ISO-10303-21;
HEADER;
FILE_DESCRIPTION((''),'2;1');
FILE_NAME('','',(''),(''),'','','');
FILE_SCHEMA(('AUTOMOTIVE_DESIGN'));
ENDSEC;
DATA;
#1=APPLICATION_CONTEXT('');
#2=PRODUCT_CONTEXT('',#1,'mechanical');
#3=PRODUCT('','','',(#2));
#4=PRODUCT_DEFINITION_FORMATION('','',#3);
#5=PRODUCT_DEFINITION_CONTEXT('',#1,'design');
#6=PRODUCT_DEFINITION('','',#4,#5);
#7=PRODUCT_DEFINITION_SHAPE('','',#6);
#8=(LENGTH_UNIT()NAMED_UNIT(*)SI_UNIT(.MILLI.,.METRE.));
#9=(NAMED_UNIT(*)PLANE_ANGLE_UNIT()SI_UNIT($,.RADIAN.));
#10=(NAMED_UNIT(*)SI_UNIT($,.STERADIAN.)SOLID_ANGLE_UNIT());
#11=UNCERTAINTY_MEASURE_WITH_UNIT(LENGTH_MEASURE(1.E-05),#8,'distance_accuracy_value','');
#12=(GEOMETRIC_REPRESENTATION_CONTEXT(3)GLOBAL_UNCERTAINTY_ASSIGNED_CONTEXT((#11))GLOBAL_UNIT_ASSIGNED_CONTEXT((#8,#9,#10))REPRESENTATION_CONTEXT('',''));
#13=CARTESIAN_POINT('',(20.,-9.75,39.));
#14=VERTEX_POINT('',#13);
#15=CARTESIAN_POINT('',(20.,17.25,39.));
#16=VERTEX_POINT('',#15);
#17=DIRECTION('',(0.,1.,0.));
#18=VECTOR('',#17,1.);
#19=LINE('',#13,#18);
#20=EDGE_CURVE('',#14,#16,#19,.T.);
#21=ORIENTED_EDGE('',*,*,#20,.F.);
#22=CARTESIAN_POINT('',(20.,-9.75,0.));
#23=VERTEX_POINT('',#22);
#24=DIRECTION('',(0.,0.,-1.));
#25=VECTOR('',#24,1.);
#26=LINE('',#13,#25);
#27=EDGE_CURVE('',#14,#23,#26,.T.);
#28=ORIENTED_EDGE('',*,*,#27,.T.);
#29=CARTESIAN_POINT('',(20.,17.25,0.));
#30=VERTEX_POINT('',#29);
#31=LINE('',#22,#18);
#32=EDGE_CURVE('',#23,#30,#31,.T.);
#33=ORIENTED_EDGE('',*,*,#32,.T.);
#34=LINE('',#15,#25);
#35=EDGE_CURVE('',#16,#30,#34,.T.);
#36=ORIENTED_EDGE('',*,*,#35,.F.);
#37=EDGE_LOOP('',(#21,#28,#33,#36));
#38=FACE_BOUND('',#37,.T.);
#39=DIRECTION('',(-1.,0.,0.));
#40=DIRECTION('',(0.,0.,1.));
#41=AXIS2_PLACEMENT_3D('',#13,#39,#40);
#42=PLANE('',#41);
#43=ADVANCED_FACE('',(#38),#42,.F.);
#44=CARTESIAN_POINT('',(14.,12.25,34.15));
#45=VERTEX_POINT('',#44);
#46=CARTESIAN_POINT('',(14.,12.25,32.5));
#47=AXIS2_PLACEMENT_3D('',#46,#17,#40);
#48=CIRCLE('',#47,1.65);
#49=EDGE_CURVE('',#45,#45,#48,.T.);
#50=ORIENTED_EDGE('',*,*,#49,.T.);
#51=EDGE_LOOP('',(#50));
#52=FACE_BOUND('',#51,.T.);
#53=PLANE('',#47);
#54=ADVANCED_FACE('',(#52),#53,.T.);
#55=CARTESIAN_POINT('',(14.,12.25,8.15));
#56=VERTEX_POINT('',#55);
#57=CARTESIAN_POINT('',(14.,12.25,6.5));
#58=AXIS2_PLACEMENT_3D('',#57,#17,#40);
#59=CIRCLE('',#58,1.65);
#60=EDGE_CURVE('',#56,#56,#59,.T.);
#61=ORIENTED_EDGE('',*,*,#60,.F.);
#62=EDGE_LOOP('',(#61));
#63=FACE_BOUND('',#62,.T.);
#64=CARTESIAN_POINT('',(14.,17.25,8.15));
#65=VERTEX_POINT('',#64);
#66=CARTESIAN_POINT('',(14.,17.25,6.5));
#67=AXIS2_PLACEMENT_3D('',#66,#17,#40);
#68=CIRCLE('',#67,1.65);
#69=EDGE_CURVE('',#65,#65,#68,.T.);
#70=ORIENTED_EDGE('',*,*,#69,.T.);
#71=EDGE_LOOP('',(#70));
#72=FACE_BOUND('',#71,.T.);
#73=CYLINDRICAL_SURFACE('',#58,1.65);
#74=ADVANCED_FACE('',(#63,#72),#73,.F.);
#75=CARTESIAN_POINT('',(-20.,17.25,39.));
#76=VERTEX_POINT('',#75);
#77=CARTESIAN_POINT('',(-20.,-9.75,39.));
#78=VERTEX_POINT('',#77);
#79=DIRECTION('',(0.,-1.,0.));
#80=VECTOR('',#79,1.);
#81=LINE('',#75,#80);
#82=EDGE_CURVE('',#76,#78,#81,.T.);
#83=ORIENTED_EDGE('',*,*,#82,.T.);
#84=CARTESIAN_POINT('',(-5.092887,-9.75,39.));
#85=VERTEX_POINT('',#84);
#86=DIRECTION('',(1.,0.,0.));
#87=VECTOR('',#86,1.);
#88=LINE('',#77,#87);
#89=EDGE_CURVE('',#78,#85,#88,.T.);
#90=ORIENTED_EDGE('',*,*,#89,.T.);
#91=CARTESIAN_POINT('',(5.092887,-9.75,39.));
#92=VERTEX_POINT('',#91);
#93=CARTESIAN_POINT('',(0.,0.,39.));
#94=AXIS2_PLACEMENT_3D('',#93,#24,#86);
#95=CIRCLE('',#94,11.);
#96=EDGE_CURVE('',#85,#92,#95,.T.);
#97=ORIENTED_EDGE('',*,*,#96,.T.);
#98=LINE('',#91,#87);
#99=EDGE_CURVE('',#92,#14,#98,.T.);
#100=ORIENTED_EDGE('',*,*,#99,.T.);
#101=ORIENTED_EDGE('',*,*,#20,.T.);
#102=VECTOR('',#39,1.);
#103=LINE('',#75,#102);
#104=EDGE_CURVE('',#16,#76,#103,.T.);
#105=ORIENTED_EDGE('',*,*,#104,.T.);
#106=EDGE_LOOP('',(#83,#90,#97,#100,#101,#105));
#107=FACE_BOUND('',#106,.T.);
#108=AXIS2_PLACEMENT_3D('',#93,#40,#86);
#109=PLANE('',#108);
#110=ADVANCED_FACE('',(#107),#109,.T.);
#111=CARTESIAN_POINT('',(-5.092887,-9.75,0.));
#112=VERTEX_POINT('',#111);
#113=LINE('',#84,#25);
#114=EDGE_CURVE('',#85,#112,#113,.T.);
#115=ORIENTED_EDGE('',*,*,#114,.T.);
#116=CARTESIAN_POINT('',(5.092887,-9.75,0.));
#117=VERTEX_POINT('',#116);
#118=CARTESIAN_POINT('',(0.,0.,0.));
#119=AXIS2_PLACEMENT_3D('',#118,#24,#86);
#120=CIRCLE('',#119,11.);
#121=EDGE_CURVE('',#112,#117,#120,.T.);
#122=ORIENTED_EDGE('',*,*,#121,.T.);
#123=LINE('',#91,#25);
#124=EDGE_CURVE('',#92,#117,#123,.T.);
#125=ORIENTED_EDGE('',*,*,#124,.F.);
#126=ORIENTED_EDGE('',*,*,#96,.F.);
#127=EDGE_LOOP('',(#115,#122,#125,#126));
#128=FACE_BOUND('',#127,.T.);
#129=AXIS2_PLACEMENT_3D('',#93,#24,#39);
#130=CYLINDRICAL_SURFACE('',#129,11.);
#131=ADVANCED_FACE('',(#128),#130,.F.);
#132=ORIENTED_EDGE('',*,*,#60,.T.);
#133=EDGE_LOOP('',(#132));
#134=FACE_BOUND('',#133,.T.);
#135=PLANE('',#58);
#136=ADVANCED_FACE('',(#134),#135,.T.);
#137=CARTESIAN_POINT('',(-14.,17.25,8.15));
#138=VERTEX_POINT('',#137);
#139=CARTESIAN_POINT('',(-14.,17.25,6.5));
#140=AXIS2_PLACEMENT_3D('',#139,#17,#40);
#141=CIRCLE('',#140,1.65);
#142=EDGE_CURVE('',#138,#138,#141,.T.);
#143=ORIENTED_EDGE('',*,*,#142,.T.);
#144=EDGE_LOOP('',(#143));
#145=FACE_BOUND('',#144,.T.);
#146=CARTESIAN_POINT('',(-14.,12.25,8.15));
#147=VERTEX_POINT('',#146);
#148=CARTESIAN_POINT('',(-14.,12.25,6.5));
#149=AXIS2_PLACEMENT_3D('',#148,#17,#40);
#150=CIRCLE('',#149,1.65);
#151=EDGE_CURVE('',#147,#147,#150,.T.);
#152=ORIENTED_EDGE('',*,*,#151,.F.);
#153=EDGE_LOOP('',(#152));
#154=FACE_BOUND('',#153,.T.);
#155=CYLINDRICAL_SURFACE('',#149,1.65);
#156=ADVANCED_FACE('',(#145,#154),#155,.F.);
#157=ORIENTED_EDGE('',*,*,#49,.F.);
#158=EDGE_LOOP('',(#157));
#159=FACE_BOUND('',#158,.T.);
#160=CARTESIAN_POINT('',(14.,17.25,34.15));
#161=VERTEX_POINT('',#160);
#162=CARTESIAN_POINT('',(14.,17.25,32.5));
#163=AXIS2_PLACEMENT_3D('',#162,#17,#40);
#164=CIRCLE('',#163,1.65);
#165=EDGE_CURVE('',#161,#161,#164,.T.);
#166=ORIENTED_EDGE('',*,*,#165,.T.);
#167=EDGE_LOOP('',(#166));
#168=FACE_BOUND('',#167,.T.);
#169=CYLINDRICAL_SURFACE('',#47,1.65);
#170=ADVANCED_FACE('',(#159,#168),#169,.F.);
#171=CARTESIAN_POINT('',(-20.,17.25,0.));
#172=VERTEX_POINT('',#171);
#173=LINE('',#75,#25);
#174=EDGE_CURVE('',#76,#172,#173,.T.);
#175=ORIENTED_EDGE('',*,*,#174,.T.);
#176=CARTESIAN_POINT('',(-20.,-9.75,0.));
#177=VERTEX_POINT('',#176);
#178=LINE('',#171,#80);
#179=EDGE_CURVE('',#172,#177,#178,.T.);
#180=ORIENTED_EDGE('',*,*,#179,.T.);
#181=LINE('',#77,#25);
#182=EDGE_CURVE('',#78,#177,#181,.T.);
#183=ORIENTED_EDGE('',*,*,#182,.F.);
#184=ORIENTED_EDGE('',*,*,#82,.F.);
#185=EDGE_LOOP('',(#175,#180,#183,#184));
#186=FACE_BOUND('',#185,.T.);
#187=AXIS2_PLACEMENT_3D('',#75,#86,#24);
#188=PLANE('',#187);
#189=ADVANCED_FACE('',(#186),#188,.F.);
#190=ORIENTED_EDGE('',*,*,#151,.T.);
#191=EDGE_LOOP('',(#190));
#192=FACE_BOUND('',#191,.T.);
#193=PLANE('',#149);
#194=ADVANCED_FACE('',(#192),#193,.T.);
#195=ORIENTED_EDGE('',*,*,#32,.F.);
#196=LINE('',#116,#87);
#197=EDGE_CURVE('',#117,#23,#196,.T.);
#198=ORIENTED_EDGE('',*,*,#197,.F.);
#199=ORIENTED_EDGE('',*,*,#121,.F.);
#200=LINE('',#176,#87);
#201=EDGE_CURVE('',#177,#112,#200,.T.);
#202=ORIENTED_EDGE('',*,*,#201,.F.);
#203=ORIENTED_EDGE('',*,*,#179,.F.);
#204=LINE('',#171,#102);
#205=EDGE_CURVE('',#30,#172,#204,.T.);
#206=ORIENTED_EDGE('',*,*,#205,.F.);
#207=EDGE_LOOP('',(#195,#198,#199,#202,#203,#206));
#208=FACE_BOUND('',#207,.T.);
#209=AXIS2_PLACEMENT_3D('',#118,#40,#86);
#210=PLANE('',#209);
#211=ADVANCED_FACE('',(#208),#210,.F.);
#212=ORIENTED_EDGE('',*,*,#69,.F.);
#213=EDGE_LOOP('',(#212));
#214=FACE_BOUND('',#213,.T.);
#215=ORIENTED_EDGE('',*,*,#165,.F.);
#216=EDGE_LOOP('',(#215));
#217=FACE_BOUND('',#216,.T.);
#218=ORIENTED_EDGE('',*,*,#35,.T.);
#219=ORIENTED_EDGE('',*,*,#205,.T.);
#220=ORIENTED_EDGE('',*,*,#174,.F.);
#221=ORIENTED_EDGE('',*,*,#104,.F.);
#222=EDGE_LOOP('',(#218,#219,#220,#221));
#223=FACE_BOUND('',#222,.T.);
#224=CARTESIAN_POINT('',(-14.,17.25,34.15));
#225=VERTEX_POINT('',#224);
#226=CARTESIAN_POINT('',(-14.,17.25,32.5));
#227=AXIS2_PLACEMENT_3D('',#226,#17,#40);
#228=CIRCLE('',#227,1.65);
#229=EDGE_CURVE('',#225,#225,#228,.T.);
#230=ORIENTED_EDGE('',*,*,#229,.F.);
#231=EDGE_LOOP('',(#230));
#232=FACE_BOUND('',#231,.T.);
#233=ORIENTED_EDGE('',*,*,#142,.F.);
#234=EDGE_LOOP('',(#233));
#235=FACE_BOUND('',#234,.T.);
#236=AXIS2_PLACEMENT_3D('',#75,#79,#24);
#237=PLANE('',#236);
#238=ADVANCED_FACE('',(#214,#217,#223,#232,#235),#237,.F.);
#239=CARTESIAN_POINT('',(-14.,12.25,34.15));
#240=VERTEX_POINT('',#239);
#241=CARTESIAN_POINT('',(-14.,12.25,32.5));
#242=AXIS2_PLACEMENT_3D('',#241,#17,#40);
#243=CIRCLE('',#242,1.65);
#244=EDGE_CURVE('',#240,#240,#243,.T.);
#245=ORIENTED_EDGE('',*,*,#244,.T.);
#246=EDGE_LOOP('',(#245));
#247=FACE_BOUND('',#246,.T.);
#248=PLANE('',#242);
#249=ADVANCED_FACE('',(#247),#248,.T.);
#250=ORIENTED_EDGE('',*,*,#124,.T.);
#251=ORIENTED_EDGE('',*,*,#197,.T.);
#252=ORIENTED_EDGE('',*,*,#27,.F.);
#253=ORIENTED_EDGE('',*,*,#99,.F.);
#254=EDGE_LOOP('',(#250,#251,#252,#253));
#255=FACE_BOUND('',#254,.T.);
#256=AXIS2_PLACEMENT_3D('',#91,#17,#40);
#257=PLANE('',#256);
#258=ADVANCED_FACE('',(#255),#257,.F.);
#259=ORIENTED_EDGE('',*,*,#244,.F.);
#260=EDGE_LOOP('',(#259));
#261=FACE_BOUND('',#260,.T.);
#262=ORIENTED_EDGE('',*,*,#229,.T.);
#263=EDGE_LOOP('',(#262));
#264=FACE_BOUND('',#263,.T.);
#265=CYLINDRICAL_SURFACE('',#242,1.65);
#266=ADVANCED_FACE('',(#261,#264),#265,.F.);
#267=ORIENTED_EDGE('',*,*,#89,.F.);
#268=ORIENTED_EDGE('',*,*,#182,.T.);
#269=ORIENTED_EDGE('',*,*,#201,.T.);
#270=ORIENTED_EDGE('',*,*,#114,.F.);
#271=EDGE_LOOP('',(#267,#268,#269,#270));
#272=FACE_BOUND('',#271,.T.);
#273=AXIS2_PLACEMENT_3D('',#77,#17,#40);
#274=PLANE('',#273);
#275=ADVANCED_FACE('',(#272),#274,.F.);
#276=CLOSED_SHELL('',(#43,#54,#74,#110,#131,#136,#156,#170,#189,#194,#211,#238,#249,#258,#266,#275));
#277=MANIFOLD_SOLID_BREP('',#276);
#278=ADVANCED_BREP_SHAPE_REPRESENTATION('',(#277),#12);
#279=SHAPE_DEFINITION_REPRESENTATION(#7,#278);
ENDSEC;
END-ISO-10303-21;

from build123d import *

# Parameters (mm, degrees)
BOSS_EXTRUDE1_DEPTH = 39
SKETCH2_R           = 1.65
CUT_EXTRUDE1_DEPTH  = 5


with BuildPart() as part:
    # Sketch1 → Boss-Extrude1 (new body)
    with BuildSketch(Plane.XY):
        with BuildLine():
            Line((-20, 17.25), (20, 17.25))
            Line((20, 17.25), (20, -9.75))
            Line((20, -9.75), (5.092887197, -9.75))
            ThreePointArc((5.092887197, -9.75), (0, 11), (-5.092887197, -9.75))
            Line((-5.092887197, -9.75), (-20, -9.75))
            Line((-20, -9.75), (-20, 17.25))
        make_face()
    extrude(amount=BOSS_EXTRUDE1_DEPTH)

    # Sketch2 → Cut-Extrude1 (cut)
    with BuildSketch(Plane(origin=(0, 17.25, 0), x_dir=(1, 0, 0), z_dir=(0, 1, 0))):
        with Locations((-14, -6.5)):
            Circle(SKETCH2_R)
        with Locations((14, -6.5)):
            Circle(SKETCH2_R)
        with Locations((-14, -32.5)):
            Circle(SKETCH2_R)
        with Locations((14, -32.5)):
            Circle(SKETCH2_R)
    extrude(amount=-CUT_EXTRUDE1_DEPTH, mode=Mode.SUBTRACT)


solid = part.part
